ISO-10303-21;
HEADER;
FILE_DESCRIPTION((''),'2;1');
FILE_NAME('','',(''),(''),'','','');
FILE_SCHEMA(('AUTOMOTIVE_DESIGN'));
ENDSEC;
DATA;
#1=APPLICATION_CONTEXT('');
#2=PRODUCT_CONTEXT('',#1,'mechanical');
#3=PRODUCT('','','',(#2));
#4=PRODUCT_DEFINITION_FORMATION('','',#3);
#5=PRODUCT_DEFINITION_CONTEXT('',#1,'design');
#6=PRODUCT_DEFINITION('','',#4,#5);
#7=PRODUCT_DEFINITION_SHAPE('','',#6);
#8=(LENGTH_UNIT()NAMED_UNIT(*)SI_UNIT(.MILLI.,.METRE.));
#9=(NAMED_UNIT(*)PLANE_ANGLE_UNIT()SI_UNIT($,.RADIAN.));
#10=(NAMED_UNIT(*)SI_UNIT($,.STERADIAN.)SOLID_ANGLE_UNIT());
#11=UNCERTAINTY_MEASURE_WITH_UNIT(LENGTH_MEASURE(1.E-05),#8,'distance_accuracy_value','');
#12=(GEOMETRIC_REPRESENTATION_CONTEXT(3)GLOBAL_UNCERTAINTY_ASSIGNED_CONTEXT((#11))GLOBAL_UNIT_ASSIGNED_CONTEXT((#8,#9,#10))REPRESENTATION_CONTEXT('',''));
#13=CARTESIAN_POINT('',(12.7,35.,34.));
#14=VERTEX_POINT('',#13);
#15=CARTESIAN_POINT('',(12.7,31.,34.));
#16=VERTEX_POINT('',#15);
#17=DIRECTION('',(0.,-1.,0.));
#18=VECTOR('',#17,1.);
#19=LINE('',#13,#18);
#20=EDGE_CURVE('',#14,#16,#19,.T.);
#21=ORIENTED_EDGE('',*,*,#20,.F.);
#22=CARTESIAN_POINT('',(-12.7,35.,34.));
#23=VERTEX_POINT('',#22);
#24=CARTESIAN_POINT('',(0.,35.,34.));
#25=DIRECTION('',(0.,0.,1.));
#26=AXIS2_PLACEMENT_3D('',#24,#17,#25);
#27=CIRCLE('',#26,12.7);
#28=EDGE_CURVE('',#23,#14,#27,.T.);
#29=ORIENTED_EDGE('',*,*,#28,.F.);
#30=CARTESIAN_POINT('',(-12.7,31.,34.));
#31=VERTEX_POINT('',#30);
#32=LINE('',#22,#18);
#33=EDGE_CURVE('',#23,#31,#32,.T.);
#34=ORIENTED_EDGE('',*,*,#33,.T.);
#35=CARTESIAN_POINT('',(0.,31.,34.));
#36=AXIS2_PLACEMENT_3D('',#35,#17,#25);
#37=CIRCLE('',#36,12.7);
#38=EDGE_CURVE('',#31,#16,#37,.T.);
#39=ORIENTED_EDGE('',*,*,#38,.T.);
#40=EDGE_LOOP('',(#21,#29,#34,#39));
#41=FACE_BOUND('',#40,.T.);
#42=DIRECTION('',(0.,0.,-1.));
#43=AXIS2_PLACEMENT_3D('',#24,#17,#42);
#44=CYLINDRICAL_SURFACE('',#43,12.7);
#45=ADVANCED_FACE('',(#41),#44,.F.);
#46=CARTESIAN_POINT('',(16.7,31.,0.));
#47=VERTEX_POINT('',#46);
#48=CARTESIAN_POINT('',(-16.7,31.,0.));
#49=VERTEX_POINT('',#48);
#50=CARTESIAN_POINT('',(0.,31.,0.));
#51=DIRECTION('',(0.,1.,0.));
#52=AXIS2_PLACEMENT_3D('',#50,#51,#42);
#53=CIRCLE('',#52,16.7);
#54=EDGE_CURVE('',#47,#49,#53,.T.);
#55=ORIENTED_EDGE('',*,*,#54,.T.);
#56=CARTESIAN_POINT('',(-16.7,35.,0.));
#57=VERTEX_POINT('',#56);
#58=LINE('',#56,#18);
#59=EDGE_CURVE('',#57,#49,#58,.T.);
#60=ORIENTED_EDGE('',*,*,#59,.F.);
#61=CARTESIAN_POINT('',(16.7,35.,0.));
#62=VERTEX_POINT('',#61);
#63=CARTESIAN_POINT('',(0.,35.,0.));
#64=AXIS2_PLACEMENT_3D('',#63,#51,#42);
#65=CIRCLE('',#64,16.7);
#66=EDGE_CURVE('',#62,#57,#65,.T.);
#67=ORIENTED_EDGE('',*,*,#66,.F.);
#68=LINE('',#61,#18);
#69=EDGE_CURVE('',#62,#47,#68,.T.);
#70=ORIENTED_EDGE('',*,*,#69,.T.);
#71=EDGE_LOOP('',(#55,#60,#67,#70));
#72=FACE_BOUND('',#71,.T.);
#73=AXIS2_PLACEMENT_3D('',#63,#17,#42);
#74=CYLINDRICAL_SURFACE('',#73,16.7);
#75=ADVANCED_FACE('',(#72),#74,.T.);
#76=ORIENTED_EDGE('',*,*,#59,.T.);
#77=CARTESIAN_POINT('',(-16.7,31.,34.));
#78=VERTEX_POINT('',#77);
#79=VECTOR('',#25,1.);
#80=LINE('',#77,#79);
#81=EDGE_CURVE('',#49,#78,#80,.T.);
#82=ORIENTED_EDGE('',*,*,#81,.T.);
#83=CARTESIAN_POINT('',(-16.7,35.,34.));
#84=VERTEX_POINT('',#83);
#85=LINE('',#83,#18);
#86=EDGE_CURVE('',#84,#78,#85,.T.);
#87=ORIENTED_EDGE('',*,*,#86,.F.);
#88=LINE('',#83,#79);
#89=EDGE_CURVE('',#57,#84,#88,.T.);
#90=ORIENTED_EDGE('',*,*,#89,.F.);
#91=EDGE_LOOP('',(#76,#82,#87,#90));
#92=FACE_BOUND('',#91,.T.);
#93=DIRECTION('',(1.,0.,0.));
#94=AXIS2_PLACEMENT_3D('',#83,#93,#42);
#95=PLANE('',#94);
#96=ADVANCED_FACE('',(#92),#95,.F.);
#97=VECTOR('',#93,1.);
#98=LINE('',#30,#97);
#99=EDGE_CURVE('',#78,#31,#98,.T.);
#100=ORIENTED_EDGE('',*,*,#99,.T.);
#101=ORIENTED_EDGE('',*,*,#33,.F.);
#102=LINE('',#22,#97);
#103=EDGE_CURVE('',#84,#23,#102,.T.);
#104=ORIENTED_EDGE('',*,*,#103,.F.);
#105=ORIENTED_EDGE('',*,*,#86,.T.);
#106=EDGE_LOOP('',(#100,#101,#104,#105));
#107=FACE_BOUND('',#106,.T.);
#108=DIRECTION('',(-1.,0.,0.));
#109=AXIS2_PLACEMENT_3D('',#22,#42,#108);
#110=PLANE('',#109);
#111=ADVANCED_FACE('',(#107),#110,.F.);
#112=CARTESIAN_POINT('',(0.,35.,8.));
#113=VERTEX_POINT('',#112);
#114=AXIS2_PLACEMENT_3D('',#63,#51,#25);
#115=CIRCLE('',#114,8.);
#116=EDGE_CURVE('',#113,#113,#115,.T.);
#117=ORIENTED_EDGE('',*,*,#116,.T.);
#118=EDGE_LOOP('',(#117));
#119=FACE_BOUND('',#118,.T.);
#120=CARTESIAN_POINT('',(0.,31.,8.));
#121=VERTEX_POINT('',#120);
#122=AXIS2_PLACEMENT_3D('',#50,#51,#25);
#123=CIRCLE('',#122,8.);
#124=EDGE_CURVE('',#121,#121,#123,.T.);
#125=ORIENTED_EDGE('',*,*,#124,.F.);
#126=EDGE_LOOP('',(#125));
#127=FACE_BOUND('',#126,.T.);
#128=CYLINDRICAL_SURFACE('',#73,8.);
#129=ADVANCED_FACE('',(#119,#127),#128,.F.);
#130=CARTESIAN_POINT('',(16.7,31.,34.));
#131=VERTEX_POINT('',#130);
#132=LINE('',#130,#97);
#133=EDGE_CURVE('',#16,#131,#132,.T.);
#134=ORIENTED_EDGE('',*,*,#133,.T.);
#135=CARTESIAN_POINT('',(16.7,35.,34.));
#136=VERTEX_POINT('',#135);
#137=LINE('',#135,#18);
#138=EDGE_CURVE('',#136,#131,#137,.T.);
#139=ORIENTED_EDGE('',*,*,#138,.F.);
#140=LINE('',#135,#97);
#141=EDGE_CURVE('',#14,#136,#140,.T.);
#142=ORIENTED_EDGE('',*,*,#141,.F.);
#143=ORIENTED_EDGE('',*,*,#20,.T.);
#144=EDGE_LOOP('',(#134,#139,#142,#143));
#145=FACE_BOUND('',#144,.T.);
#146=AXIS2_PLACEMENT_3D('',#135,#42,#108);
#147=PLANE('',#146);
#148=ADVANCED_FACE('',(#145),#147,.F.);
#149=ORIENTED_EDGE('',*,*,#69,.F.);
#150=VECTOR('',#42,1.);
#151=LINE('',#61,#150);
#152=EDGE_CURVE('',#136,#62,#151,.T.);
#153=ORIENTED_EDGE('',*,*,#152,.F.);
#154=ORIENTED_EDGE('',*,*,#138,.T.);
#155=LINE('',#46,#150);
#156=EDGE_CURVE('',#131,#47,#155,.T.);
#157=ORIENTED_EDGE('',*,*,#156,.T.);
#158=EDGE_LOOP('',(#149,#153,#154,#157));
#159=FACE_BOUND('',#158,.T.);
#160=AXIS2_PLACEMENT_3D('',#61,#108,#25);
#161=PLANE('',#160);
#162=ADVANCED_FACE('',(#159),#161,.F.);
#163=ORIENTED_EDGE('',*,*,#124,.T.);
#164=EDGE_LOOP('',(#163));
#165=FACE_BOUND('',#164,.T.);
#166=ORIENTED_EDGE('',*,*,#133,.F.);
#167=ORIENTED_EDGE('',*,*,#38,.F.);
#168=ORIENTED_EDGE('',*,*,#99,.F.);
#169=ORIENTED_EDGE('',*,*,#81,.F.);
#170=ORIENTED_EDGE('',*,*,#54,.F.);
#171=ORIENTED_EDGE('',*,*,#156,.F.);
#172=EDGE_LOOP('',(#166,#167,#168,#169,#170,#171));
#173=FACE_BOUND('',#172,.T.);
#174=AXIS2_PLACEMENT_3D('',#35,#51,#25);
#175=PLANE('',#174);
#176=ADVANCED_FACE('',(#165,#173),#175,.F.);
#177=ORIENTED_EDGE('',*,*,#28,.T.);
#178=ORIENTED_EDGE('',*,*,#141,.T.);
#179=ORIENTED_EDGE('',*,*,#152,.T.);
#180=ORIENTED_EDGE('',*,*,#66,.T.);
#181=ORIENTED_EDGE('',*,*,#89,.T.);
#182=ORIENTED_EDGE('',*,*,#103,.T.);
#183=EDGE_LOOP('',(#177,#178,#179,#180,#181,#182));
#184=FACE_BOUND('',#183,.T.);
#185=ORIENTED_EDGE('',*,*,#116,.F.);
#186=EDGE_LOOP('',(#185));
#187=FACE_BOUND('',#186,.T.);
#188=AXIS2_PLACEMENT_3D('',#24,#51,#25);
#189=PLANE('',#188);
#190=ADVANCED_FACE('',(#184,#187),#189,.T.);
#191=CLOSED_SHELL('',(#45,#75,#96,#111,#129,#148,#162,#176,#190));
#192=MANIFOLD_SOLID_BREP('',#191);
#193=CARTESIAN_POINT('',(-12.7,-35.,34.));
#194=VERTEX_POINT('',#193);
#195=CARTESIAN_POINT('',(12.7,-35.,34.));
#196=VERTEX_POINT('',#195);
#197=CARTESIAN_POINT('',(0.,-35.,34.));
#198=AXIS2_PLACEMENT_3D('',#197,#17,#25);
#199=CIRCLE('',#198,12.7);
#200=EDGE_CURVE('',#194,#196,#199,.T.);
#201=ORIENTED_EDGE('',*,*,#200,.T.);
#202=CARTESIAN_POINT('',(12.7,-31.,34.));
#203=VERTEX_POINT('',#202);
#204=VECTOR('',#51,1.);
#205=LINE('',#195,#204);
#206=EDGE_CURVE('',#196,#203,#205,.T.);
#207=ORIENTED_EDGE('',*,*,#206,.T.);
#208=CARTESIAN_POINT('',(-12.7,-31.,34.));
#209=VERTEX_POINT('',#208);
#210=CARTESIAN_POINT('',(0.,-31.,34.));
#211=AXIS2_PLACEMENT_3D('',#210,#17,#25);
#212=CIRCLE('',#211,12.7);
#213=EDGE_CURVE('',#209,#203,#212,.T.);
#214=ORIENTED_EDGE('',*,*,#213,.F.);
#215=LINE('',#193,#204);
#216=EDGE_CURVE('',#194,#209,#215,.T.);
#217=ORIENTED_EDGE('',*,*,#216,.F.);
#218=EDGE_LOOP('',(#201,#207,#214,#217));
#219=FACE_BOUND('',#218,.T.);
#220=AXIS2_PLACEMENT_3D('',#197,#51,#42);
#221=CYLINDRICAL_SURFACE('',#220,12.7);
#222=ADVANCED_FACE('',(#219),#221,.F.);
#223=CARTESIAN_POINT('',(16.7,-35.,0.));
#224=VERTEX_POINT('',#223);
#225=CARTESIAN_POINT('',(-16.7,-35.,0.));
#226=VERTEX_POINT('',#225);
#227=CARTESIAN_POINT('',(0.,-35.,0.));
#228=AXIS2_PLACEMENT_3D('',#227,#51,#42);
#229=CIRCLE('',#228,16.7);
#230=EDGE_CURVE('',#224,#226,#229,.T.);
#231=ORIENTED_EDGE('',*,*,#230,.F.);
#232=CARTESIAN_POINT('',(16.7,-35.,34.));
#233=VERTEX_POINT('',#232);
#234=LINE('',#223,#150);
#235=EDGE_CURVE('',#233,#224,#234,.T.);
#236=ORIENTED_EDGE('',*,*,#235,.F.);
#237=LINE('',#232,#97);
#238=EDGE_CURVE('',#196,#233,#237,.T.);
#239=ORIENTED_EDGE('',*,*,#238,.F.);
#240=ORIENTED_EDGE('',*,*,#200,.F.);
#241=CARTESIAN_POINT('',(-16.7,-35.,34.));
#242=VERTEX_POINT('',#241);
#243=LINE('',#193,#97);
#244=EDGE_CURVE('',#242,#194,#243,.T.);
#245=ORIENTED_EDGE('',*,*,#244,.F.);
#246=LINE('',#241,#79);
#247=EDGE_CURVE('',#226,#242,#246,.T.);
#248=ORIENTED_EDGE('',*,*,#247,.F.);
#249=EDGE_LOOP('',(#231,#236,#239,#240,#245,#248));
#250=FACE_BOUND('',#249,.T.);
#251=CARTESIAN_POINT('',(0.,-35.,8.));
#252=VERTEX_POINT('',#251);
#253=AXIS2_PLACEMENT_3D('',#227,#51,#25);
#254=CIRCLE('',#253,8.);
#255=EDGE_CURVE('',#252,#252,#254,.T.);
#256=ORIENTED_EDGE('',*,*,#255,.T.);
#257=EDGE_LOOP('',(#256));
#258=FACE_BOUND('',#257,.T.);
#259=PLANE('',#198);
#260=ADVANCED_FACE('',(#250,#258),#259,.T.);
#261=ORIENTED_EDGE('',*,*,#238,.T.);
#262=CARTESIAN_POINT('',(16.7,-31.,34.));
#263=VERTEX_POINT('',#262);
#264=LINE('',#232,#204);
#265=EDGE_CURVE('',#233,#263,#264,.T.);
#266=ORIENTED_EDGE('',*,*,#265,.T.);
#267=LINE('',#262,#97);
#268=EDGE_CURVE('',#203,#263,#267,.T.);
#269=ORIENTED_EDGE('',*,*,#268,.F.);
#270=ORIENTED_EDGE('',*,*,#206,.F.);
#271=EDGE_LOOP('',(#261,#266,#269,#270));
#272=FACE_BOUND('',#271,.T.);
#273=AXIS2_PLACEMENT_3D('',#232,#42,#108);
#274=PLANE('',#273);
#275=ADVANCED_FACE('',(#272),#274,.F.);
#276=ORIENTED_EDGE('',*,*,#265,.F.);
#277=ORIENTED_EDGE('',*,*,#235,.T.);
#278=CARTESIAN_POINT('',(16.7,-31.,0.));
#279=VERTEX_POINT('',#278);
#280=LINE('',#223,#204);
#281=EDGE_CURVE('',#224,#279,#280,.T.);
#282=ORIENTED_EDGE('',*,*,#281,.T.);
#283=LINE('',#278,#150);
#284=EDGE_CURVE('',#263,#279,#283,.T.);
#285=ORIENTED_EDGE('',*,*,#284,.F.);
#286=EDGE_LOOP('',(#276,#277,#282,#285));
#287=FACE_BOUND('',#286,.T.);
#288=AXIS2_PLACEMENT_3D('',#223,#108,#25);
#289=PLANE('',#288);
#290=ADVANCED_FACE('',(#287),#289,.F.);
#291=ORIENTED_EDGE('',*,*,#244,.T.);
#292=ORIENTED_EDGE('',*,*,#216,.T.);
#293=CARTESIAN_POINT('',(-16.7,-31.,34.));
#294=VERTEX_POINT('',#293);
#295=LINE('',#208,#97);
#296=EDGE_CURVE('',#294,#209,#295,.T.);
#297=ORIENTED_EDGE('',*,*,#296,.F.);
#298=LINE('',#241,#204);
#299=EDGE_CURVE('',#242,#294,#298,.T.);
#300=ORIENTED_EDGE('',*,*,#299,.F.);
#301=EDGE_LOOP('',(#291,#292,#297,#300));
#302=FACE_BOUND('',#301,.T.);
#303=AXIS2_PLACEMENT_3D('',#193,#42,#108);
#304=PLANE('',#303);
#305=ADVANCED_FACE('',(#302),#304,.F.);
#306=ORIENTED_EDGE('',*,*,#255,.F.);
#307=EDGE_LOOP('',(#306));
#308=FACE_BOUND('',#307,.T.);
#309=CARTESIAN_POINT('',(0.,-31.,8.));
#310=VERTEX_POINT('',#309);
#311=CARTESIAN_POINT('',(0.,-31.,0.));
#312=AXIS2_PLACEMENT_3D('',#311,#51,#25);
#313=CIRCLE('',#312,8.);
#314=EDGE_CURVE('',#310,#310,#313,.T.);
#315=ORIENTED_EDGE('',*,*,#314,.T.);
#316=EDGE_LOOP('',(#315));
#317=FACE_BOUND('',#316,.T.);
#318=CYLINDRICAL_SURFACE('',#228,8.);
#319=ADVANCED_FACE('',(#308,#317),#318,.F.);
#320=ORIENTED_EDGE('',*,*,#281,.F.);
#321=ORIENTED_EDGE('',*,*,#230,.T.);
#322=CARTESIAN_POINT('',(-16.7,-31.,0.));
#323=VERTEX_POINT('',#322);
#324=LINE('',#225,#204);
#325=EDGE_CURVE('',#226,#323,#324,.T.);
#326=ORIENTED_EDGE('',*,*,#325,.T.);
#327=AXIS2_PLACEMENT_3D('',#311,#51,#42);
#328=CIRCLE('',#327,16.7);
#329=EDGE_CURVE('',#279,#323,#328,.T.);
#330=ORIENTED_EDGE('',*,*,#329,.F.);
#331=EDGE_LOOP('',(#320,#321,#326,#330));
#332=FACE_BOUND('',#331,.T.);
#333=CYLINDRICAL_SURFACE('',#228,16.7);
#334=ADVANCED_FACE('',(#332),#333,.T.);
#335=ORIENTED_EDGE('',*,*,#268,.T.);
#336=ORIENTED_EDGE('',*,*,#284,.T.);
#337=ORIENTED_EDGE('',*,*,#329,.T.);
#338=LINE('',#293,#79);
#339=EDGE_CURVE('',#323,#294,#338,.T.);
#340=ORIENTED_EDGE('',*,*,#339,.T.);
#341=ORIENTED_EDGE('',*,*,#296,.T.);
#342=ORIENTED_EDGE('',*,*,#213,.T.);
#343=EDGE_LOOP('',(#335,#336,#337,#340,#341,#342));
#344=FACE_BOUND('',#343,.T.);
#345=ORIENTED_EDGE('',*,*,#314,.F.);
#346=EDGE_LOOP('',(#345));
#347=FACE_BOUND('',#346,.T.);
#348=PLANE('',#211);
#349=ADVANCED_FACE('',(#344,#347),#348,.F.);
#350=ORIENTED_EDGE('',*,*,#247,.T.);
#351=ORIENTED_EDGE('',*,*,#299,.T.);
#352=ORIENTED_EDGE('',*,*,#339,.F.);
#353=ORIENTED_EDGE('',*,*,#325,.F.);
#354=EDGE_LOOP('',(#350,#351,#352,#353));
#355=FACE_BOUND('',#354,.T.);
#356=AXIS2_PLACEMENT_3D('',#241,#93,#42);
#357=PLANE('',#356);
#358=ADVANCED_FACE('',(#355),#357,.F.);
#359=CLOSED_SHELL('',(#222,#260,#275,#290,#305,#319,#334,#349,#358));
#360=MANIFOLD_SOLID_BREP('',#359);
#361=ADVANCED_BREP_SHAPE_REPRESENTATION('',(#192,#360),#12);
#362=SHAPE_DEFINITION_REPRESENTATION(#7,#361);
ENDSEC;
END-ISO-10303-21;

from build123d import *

# Parameters (mm, degrees)
SKETCH1_R           = 8
BOSS_EXTRUDE1_DEPTH = 4


with BuildPart() as part:
    # Sketch1 → Boss-Extrude1 (new body)
    with BuildSketch(Plane(origin=(0, 31, 0), x_dir=(1, 0, 0), z_dir=(0, 1, 0))):
        with BuildLine():
            Line((16.7, -34), (12.7, -34))
            ThreePointArc((12.7, -34), (0, -21.3), (-12.7, -34))
            Line((-12.7, -34), (-16.7, -34))
            Line((-16.7, -34), (-16.7, 0))
            ThreePointArc((-16.7, 0), (0, 16.7), (16.7, 0))
            Line((16.7, 0), (16.7, -34))
        make_face()
        Circle(SKETCH1_R, mode=Mode.SUBTRACT)
    extrude(amount=BOSS_EXTRUDE1_DEPTH)


with BuildPart() as body_2:
    # Mirror2: mirrored copy
    add(part.part.mirror(Plane.ZX))


solid = Compound([part.part, body_2.part])
